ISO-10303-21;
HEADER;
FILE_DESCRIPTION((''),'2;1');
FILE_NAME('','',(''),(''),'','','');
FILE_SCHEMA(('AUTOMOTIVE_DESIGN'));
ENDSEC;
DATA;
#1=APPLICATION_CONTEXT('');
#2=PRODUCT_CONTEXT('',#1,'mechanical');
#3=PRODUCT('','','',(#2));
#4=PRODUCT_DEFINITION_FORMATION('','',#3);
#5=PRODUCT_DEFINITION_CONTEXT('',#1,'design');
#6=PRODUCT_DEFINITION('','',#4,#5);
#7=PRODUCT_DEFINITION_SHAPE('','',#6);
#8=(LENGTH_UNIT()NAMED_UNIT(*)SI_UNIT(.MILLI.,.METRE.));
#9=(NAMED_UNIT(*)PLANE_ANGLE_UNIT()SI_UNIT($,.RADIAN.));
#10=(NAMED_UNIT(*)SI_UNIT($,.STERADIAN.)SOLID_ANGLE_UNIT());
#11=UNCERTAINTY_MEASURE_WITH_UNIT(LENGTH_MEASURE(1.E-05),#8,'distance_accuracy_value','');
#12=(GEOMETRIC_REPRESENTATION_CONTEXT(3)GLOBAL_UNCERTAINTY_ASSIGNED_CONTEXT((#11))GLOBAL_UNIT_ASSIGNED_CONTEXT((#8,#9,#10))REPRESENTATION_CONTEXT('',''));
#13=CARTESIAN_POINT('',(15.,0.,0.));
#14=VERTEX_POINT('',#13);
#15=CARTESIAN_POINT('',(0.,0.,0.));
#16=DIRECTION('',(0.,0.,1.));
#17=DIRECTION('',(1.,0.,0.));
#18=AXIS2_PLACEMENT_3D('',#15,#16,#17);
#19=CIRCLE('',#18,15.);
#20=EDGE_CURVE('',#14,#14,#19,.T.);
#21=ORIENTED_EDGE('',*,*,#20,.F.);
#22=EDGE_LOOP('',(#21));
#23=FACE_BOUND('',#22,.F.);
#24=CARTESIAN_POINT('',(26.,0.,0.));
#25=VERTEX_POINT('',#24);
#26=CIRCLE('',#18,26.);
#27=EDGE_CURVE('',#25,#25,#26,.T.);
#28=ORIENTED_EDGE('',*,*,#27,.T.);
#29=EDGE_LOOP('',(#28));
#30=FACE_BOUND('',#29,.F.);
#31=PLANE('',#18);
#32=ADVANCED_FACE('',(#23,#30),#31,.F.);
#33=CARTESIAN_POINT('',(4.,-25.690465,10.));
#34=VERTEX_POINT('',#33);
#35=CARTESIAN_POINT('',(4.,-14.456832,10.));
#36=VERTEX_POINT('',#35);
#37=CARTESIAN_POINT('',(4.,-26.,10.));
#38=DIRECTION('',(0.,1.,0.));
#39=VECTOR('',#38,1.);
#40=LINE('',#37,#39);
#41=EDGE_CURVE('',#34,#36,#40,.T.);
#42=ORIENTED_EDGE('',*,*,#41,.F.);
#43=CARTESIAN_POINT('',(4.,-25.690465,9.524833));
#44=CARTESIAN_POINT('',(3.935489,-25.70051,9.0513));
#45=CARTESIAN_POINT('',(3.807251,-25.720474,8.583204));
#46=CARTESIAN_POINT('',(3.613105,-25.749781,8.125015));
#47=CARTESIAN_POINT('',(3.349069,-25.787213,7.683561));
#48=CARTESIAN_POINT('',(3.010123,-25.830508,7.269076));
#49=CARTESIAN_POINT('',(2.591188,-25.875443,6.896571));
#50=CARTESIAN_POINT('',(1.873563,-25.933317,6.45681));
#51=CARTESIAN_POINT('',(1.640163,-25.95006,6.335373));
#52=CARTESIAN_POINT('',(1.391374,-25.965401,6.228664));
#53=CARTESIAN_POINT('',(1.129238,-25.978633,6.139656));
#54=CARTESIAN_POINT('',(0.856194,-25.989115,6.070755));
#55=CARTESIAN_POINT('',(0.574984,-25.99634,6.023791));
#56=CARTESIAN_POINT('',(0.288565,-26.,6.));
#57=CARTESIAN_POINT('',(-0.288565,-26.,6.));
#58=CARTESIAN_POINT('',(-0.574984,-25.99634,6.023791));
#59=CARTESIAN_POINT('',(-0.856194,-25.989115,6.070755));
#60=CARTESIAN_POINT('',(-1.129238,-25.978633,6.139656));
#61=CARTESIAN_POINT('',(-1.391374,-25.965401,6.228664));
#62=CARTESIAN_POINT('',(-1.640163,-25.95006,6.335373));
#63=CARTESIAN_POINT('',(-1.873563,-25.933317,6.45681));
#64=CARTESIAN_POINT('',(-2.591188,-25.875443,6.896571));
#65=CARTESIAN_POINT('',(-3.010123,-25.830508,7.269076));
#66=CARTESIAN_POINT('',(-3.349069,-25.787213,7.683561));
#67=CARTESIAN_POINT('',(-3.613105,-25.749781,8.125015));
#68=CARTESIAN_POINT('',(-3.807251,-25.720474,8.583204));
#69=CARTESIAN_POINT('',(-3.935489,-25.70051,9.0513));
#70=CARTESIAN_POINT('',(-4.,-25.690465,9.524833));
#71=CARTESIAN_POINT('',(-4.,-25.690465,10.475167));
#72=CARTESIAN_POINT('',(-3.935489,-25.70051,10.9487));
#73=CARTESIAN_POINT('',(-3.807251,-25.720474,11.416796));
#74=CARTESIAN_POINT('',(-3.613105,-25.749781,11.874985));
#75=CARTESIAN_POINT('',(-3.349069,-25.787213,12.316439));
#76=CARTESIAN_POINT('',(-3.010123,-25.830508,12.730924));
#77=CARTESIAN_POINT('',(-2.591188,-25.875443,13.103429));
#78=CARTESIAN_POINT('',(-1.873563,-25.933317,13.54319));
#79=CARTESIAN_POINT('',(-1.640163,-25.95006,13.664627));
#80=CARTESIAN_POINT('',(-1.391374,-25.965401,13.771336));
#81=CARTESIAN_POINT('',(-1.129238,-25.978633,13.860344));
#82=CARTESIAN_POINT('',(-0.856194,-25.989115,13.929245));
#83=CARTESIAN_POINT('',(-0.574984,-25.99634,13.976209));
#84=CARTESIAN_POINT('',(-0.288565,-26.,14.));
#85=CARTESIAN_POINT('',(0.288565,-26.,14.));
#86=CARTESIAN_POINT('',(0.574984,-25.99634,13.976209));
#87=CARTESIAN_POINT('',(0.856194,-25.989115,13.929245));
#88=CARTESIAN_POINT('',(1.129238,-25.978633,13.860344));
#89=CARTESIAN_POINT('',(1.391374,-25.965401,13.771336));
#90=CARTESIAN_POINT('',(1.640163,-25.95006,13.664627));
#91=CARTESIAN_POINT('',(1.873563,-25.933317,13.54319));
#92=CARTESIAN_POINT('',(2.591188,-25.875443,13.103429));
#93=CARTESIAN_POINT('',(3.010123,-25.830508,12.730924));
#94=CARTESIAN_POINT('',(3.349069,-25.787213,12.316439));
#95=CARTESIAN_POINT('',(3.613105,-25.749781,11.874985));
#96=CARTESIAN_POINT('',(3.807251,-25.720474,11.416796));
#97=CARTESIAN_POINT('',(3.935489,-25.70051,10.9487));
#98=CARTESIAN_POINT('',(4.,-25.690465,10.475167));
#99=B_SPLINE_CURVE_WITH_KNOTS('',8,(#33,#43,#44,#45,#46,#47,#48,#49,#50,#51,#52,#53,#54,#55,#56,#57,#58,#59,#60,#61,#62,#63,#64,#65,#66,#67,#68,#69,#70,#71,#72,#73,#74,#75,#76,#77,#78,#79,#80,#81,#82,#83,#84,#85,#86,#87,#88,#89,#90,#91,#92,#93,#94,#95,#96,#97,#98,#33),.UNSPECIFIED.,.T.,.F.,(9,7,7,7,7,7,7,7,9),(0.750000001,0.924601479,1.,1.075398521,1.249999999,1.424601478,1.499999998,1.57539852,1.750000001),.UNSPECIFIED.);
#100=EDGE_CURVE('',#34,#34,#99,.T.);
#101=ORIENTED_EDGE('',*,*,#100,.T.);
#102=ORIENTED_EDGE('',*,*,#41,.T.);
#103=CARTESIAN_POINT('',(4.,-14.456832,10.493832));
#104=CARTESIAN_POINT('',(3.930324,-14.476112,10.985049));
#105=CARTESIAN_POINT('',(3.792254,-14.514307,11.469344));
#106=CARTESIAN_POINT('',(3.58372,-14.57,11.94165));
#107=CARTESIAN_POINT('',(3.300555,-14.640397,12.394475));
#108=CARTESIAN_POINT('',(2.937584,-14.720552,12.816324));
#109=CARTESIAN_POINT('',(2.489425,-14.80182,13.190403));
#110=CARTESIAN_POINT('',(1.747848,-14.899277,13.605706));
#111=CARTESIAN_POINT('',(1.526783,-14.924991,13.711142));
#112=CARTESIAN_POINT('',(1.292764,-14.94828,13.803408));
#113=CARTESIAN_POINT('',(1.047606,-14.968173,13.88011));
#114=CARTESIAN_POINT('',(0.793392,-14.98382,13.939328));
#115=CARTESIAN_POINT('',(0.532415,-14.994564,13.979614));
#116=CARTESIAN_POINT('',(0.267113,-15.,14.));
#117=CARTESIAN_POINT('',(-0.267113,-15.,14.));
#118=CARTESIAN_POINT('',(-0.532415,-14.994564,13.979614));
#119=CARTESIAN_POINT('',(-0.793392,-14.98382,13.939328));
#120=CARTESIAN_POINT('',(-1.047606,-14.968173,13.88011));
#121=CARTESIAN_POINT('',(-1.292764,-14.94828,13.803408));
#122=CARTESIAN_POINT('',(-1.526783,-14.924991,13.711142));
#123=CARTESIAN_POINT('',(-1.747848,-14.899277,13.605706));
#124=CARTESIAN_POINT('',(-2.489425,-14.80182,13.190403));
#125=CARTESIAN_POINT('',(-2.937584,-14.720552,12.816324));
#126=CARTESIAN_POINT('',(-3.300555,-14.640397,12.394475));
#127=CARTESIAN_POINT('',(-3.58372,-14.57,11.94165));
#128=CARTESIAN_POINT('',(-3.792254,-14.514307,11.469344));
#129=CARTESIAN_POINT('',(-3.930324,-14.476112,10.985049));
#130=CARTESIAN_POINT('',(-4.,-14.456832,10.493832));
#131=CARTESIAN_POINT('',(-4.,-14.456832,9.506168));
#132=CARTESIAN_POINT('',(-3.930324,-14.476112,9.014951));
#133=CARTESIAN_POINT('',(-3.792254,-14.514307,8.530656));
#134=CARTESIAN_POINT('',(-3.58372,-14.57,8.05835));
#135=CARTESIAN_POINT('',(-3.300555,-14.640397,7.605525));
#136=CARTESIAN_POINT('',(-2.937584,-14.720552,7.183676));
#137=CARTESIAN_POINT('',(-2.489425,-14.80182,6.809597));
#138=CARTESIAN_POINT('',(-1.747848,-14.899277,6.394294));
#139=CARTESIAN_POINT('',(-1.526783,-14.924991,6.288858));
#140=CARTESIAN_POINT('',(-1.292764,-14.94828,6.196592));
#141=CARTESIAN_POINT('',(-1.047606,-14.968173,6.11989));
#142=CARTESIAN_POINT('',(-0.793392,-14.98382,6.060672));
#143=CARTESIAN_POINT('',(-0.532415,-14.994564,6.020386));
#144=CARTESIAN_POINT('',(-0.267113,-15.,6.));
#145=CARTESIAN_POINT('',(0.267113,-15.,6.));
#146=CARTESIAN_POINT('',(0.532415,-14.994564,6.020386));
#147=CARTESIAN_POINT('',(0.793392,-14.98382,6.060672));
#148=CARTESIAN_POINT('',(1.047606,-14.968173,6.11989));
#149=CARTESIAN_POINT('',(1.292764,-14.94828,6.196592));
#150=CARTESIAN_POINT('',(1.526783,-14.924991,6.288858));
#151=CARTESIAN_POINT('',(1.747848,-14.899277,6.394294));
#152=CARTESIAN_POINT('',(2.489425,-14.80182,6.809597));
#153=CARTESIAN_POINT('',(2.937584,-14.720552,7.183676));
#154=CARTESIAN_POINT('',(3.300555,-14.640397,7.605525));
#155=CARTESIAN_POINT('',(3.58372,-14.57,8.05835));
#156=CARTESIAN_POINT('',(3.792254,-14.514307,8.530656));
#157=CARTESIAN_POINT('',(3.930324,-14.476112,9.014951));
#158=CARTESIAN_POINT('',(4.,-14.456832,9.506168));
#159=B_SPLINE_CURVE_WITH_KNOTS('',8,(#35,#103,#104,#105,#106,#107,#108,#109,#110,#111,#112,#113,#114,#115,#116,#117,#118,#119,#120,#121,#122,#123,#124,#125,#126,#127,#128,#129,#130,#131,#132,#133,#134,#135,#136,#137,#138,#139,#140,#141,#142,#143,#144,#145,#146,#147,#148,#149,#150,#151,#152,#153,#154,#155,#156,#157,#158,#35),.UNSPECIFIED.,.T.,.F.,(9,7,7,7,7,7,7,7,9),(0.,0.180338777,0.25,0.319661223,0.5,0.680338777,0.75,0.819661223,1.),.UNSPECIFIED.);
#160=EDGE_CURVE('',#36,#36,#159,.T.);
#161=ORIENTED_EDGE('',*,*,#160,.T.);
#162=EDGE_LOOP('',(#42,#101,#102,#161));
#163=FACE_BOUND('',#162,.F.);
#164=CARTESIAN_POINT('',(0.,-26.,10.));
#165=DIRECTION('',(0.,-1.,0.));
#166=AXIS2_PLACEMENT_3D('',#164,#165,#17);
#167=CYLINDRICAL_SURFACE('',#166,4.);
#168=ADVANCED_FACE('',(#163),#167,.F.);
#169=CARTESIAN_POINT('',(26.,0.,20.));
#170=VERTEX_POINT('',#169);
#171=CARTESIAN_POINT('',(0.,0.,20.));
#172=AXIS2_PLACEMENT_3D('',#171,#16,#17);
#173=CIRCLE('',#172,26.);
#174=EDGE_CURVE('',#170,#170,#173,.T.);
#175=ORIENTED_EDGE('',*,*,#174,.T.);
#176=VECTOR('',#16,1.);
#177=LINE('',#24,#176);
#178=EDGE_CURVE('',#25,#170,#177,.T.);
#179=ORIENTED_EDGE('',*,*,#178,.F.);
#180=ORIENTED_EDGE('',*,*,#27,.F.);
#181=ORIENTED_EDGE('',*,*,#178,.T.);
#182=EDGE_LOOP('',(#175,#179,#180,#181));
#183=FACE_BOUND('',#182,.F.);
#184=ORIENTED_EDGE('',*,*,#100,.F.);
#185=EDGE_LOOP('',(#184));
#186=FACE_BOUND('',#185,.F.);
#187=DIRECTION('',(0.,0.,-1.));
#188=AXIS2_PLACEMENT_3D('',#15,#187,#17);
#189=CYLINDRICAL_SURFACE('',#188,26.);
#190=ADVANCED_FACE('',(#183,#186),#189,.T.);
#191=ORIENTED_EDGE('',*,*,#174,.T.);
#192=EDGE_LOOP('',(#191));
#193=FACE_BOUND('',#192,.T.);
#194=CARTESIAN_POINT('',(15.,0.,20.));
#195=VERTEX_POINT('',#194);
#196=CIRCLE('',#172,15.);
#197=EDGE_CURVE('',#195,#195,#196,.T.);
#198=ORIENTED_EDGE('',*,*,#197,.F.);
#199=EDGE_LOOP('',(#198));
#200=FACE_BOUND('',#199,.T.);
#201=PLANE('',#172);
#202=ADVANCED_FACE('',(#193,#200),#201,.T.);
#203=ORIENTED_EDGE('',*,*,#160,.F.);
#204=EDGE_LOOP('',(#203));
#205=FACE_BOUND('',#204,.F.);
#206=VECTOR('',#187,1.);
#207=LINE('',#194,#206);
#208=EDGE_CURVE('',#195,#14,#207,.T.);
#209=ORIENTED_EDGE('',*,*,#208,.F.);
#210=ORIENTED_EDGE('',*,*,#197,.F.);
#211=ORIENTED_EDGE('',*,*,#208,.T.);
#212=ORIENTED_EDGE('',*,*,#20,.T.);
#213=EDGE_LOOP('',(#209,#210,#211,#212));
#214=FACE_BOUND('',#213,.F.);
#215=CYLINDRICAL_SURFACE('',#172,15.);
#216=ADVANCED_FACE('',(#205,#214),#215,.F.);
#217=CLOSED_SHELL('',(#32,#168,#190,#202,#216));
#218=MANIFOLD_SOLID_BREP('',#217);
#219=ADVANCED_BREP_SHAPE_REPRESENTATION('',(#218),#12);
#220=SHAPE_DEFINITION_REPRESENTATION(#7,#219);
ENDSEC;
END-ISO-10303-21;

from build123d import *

# Parameters (mm, degrees)
SKETCH001_R     = 26
PAD_DEPTH       = 20
SKETCH002_R     = 15
POCKET_DEPTH    = 20.001
SKETCH_R        = 4
POCKET001_DEPTH = 26


with BuildPart() as part:
    # Sketch001 → Pad (new body)
    with BuildSketch(Plane.XY):
        Circle(SKETCH001_R)
    extrude(amount=PAD_DEPTH)

    # Sketch002 (on Face3 of Pad) → Pocket (cut, through all)
    with BuildSketch(Plane.XY.offset(20)):
        Circle(SKETCH002_R)
    extrude(amount=-POCKET_DEPTH, mode=Mode.SUBTRACT)

    # Sketch (on DatumPlane) → Pocket001 (cut)
    with BuildSketch(Plane.XZ.offset(26)):
        with Locations((0, 10)):
            Circle(SKETCH_R)
    extrude(amount=-POCKET001_DEPTH, mode=Mode.SUBTRACT)


solid = part.part
